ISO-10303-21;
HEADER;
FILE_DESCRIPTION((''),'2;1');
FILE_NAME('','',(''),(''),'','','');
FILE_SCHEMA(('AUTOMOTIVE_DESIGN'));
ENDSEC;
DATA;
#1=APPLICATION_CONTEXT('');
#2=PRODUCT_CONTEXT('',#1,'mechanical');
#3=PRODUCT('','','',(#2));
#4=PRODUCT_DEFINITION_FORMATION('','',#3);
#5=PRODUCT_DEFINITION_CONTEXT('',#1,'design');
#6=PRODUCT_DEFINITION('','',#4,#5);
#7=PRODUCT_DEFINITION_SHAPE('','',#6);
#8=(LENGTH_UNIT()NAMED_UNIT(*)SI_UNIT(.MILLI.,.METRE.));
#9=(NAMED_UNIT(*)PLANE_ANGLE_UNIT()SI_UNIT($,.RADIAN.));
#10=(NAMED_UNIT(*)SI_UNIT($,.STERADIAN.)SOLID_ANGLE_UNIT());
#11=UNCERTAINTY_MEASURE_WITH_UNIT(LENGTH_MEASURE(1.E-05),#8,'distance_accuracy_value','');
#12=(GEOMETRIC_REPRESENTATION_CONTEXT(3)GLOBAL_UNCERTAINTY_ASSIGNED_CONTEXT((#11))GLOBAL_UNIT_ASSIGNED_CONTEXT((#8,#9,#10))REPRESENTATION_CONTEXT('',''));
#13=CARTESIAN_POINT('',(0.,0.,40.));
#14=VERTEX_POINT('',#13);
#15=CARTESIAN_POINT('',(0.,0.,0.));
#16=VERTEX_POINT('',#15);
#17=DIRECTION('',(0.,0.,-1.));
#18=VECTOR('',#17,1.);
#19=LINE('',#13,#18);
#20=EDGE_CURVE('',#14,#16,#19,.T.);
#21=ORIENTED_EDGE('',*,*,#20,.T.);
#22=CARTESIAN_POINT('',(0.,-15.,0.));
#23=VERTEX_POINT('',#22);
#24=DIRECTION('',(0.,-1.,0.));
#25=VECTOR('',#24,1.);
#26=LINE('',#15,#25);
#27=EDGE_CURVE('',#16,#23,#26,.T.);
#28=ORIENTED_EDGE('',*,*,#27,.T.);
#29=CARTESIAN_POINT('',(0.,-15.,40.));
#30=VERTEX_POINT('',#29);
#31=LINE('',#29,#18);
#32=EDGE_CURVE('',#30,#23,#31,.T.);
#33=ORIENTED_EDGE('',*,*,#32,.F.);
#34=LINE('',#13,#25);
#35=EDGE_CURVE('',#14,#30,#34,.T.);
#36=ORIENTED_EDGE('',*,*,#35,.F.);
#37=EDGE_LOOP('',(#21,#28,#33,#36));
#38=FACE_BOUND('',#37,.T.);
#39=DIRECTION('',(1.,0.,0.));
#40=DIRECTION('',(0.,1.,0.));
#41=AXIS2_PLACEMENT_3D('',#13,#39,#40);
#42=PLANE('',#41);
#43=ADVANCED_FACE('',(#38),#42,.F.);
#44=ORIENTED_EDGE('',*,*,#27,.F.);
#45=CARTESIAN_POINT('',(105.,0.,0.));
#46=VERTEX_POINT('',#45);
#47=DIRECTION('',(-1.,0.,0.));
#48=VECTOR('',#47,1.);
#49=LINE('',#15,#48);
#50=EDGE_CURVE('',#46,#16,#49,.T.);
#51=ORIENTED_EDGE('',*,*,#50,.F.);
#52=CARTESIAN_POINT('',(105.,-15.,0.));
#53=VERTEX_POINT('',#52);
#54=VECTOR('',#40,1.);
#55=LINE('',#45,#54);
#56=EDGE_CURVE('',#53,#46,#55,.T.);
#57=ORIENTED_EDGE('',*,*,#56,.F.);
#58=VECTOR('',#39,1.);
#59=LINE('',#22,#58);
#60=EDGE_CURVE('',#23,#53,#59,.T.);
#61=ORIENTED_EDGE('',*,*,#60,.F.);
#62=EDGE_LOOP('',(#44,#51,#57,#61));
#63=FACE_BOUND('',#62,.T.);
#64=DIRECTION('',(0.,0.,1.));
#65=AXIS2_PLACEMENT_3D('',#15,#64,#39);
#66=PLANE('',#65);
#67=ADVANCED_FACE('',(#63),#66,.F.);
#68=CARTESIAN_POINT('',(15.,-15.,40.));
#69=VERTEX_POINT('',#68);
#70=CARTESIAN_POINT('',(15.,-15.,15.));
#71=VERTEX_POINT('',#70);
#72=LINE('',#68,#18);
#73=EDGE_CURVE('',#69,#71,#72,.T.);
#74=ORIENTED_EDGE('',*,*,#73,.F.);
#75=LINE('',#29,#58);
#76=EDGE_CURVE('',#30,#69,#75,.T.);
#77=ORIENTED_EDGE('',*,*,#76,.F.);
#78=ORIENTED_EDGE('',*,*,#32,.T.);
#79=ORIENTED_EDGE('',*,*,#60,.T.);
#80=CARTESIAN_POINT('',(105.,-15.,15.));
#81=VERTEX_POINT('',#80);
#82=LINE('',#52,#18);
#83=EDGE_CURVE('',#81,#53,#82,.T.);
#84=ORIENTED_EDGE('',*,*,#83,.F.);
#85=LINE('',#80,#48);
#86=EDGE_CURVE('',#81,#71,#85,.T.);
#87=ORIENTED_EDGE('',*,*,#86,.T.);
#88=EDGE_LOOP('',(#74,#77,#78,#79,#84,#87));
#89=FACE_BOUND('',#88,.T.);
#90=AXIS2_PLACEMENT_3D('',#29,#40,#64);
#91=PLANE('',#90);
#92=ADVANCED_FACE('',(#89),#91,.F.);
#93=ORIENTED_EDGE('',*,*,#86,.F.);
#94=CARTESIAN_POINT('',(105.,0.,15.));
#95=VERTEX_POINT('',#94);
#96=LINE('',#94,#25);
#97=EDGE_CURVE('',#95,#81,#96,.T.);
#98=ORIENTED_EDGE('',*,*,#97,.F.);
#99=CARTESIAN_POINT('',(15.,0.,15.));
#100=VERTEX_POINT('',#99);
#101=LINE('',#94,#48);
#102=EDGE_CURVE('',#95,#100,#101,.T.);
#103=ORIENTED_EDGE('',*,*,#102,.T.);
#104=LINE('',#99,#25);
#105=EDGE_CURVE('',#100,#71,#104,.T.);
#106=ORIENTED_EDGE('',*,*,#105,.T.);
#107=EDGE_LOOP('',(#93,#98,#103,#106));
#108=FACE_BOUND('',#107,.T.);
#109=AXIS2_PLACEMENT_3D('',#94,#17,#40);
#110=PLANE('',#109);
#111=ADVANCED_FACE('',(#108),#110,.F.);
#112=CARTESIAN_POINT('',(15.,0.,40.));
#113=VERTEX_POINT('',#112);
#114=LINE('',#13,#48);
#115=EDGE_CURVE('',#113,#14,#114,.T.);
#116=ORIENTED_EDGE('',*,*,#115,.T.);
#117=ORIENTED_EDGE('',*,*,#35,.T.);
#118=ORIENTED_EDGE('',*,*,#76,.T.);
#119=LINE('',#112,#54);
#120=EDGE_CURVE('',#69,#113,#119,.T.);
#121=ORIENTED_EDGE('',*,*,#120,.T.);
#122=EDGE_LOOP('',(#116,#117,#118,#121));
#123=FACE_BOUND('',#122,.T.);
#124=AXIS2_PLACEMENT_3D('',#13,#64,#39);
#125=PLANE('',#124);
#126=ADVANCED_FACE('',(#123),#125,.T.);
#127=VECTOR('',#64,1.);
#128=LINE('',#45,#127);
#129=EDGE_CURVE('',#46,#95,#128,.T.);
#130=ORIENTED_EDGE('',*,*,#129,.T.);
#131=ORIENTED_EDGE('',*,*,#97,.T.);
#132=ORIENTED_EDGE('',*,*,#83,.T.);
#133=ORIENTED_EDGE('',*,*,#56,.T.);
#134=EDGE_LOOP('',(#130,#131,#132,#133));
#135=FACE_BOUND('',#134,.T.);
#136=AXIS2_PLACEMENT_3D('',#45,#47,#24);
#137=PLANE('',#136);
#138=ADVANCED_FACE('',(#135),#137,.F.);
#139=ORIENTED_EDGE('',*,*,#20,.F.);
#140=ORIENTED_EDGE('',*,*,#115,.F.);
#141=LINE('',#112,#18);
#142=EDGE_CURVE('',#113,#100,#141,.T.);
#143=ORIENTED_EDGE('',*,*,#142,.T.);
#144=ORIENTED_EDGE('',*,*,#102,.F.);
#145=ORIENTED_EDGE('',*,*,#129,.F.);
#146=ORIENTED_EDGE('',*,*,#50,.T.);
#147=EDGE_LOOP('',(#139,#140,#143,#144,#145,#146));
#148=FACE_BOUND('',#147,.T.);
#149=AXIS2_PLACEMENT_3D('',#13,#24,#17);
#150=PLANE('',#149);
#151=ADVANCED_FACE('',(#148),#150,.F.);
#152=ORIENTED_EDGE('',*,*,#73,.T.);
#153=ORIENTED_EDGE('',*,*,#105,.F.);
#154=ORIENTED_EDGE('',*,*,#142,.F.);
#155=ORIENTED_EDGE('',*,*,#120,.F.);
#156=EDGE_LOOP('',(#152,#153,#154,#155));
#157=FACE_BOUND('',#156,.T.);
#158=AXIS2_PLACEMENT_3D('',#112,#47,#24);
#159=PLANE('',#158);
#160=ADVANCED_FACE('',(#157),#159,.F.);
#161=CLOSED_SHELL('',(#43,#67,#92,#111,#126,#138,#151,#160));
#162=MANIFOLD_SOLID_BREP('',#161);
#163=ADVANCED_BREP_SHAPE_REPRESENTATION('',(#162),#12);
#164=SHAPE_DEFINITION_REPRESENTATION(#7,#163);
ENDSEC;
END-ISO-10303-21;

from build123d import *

# Parameters (mm, degrees)
ESBO_O1_W                = 15
ESBO_O1_H                = 15
RESSALTO_EXTRUS_O1_DEPTH = 40
ESBO_O2_W                = 15
ESBO_O2_H                = 15
RESSALTO_EXTRUS_O2_DEPTH = 90


with BuildPart() as part:
    # Esboço1 → Ressalto-extrusão1 (new body)
    with BuildSketch(Plane.XY):
        with Locations((7.5, -7.5)):
            Rectangle(ESBO_O1_W, ESBO_O1_H)
    extrude(amount=RESSALTO_EXTRUS_O1_DEPTH)

    # Esboço2 → Ressalto-extrusão2 (add)
    with BuildSketch(Plane(origin=(15, 0, 0), x_dir=(0, 0, -1), z_dir=(1, 0, 0))):
        with Locations((-7.5, -7.5)):
            Rectangle(ESBO_O2_W, ESBO_O2_H)
    extrude(amount=RESSALTO_EXTRUS_O2_DEPTH)


solid = part.part
